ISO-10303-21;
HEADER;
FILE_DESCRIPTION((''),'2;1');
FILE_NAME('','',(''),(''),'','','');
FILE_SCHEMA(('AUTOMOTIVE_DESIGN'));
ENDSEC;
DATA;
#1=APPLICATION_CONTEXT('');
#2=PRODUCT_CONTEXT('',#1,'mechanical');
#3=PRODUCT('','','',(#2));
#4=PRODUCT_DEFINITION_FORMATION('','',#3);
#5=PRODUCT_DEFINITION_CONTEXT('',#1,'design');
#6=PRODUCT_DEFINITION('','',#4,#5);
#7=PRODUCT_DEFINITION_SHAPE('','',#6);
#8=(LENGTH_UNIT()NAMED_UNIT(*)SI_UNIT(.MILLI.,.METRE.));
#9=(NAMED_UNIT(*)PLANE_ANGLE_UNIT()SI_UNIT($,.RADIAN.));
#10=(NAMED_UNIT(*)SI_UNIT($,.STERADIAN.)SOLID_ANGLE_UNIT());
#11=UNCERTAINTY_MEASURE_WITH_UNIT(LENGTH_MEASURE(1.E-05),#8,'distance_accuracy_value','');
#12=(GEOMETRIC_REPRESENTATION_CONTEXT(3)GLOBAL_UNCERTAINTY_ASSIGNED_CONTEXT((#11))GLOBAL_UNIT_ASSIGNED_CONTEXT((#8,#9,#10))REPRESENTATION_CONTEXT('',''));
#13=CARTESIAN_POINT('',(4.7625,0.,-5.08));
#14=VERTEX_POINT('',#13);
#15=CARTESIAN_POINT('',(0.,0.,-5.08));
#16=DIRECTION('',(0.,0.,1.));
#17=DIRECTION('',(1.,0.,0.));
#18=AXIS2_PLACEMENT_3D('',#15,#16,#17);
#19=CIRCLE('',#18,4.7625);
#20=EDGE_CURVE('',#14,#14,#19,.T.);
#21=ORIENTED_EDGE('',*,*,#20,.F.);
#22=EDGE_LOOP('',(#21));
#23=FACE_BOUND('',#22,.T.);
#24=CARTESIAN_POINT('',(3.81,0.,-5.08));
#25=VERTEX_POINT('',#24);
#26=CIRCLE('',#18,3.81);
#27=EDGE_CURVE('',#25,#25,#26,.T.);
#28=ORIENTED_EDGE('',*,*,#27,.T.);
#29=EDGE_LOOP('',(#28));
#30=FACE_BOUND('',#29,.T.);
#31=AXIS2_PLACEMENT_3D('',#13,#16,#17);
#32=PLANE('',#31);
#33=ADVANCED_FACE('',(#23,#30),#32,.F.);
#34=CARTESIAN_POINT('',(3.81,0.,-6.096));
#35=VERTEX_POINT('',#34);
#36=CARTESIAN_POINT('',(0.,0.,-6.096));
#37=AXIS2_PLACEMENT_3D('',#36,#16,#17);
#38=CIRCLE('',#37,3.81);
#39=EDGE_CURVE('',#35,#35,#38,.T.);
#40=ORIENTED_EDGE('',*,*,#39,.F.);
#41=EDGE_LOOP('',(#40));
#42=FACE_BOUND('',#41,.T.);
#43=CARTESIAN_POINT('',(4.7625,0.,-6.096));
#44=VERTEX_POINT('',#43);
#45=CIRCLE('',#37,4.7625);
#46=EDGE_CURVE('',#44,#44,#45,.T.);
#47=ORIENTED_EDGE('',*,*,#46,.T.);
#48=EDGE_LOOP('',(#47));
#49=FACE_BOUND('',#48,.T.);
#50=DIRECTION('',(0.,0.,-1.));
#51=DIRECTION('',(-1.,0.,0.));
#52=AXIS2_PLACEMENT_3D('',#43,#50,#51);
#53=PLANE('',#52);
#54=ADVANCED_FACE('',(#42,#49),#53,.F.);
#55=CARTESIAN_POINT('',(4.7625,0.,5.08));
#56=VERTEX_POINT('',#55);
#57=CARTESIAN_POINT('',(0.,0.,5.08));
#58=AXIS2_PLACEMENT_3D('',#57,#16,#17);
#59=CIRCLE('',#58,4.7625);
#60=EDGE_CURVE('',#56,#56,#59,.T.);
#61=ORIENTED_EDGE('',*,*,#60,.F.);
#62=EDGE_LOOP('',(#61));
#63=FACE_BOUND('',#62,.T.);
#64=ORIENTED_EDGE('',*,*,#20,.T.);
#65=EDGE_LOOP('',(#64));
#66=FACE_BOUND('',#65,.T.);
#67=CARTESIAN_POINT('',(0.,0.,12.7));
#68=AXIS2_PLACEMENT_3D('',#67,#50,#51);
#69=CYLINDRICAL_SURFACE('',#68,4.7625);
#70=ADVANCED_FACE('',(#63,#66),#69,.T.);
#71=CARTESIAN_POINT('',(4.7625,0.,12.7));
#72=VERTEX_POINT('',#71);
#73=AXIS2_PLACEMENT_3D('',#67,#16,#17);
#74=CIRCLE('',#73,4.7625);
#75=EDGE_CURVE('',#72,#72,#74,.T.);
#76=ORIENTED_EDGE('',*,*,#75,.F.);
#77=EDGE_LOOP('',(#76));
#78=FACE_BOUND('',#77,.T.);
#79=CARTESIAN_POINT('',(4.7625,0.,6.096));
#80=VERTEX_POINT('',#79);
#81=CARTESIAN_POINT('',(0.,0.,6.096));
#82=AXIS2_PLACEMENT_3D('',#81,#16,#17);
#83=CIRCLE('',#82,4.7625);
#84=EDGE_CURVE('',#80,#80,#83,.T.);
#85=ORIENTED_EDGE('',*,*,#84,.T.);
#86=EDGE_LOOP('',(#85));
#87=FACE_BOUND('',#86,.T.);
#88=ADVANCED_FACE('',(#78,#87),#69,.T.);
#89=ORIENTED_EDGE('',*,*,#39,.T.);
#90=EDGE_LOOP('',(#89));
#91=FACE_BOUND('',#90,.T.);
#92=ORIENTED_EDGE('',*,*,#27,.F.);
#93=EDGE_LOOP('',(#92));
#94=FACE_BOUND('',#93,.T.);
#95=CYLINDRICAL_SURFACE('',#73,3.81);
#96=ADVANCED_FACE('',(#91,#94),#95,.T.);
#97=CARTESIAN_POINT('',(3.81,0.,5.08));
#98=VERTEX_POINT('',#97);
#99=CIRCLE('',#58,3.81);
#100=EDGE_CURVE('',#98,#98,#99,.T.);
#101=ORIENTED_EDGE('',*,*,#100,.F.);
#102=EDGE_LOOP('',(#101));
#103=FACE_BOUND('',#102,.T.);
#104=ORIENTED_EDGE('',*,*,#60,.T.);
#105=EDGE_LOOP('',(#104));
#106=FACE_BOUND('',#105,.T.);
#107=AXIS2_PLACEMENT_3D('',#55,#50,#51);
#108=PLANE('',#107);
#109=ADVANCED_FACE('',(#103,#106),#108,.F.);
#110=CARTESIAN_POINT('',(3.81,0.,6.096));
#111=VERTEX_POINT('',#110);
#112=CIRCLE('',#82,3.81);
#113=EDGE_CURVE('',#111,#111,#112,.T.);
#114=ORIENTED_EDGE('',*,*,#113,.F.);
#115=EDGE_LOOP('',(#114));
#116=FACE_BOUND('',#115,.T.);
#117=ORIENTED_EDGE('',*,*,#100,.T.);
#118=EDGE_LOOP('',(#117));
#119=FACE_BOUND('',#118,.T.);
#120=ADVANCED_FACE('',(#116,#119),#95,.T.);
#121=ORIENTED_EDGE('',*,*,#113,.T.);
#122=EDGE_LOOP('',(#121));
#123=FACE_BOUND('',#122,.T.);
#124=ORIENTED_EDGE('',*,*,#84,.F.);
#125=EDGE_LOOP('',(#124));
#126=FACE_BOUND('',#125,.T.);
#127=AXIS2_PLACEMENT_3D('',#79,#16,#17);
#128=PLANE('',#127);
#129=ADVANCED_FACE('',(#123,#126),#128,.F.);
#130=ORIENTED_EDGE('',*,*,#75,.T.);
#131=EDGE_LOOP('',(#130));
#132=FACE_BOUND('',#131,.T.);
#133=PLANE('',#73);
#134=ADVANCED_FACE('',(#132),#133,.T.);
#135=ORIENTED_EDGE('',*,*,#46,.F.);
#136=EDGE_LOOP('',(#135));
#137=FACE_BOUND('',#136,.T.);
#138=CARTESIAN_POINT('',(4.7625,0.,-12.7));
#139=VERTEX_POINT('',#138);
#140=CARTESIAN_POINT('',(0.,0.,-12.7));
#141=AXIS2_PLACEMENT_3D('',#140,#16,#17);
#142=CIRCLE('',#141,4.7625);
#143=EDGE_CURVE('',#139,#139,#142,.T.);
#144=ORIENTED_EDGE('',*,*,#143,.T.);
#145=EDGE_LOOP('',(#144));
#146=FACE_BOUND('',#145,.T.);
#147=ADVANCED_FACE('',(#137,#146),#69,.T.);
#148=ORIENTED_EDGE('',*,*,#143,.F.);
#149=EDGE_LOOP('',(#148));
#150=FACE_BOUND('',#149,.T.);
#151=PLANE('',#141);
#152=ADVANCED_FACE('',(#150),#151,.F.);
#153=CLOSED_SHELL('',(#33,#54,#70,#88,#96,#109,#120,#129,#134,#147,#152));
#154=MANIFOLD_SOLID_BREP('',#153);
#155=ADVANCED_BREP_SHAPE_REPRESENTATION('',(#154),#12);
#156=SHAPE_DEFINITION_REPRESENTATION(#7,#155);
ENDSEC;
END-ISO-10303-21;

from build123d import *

# Parameters (mm, degrees)
SKETCH1_R           = 4.7625
BOSS_EXTRUDE1_DEPTH = 12.7
SKETCH2_W           = 0.9525
SKETCH2_H           = 1.016


with BuildPart() as part:
    # Sketch1 → Boss-Extrude1 (new body, symmetric)
    with BuildSketch(Plane.XY):
        Circle(SKETCH1_R)
    extrude(amount=BOSS_EXTRUDE1_DEPTH, both=True)

    # Sketch2 → Cut-Revolve1 (revolve, cut)
    with BuildSketch(Plane(origin=(0, 0, 0), x_dir=(1, 0, 0), z_dir=(0, 1, 0))):
        with Locations((4.28625, 5.588)):
            Rectangle(SKETCH2_W, SKETCH2_H)
        with Locations((4.28625, -5.588)):
            Rectangle(SKETCH2_W, SKETCH2_H)
    revolve(axis=Axis((0, 0, 12.7), (0, 0, -1)), mode=Mode.SUBTRACT)


solid = part.part
